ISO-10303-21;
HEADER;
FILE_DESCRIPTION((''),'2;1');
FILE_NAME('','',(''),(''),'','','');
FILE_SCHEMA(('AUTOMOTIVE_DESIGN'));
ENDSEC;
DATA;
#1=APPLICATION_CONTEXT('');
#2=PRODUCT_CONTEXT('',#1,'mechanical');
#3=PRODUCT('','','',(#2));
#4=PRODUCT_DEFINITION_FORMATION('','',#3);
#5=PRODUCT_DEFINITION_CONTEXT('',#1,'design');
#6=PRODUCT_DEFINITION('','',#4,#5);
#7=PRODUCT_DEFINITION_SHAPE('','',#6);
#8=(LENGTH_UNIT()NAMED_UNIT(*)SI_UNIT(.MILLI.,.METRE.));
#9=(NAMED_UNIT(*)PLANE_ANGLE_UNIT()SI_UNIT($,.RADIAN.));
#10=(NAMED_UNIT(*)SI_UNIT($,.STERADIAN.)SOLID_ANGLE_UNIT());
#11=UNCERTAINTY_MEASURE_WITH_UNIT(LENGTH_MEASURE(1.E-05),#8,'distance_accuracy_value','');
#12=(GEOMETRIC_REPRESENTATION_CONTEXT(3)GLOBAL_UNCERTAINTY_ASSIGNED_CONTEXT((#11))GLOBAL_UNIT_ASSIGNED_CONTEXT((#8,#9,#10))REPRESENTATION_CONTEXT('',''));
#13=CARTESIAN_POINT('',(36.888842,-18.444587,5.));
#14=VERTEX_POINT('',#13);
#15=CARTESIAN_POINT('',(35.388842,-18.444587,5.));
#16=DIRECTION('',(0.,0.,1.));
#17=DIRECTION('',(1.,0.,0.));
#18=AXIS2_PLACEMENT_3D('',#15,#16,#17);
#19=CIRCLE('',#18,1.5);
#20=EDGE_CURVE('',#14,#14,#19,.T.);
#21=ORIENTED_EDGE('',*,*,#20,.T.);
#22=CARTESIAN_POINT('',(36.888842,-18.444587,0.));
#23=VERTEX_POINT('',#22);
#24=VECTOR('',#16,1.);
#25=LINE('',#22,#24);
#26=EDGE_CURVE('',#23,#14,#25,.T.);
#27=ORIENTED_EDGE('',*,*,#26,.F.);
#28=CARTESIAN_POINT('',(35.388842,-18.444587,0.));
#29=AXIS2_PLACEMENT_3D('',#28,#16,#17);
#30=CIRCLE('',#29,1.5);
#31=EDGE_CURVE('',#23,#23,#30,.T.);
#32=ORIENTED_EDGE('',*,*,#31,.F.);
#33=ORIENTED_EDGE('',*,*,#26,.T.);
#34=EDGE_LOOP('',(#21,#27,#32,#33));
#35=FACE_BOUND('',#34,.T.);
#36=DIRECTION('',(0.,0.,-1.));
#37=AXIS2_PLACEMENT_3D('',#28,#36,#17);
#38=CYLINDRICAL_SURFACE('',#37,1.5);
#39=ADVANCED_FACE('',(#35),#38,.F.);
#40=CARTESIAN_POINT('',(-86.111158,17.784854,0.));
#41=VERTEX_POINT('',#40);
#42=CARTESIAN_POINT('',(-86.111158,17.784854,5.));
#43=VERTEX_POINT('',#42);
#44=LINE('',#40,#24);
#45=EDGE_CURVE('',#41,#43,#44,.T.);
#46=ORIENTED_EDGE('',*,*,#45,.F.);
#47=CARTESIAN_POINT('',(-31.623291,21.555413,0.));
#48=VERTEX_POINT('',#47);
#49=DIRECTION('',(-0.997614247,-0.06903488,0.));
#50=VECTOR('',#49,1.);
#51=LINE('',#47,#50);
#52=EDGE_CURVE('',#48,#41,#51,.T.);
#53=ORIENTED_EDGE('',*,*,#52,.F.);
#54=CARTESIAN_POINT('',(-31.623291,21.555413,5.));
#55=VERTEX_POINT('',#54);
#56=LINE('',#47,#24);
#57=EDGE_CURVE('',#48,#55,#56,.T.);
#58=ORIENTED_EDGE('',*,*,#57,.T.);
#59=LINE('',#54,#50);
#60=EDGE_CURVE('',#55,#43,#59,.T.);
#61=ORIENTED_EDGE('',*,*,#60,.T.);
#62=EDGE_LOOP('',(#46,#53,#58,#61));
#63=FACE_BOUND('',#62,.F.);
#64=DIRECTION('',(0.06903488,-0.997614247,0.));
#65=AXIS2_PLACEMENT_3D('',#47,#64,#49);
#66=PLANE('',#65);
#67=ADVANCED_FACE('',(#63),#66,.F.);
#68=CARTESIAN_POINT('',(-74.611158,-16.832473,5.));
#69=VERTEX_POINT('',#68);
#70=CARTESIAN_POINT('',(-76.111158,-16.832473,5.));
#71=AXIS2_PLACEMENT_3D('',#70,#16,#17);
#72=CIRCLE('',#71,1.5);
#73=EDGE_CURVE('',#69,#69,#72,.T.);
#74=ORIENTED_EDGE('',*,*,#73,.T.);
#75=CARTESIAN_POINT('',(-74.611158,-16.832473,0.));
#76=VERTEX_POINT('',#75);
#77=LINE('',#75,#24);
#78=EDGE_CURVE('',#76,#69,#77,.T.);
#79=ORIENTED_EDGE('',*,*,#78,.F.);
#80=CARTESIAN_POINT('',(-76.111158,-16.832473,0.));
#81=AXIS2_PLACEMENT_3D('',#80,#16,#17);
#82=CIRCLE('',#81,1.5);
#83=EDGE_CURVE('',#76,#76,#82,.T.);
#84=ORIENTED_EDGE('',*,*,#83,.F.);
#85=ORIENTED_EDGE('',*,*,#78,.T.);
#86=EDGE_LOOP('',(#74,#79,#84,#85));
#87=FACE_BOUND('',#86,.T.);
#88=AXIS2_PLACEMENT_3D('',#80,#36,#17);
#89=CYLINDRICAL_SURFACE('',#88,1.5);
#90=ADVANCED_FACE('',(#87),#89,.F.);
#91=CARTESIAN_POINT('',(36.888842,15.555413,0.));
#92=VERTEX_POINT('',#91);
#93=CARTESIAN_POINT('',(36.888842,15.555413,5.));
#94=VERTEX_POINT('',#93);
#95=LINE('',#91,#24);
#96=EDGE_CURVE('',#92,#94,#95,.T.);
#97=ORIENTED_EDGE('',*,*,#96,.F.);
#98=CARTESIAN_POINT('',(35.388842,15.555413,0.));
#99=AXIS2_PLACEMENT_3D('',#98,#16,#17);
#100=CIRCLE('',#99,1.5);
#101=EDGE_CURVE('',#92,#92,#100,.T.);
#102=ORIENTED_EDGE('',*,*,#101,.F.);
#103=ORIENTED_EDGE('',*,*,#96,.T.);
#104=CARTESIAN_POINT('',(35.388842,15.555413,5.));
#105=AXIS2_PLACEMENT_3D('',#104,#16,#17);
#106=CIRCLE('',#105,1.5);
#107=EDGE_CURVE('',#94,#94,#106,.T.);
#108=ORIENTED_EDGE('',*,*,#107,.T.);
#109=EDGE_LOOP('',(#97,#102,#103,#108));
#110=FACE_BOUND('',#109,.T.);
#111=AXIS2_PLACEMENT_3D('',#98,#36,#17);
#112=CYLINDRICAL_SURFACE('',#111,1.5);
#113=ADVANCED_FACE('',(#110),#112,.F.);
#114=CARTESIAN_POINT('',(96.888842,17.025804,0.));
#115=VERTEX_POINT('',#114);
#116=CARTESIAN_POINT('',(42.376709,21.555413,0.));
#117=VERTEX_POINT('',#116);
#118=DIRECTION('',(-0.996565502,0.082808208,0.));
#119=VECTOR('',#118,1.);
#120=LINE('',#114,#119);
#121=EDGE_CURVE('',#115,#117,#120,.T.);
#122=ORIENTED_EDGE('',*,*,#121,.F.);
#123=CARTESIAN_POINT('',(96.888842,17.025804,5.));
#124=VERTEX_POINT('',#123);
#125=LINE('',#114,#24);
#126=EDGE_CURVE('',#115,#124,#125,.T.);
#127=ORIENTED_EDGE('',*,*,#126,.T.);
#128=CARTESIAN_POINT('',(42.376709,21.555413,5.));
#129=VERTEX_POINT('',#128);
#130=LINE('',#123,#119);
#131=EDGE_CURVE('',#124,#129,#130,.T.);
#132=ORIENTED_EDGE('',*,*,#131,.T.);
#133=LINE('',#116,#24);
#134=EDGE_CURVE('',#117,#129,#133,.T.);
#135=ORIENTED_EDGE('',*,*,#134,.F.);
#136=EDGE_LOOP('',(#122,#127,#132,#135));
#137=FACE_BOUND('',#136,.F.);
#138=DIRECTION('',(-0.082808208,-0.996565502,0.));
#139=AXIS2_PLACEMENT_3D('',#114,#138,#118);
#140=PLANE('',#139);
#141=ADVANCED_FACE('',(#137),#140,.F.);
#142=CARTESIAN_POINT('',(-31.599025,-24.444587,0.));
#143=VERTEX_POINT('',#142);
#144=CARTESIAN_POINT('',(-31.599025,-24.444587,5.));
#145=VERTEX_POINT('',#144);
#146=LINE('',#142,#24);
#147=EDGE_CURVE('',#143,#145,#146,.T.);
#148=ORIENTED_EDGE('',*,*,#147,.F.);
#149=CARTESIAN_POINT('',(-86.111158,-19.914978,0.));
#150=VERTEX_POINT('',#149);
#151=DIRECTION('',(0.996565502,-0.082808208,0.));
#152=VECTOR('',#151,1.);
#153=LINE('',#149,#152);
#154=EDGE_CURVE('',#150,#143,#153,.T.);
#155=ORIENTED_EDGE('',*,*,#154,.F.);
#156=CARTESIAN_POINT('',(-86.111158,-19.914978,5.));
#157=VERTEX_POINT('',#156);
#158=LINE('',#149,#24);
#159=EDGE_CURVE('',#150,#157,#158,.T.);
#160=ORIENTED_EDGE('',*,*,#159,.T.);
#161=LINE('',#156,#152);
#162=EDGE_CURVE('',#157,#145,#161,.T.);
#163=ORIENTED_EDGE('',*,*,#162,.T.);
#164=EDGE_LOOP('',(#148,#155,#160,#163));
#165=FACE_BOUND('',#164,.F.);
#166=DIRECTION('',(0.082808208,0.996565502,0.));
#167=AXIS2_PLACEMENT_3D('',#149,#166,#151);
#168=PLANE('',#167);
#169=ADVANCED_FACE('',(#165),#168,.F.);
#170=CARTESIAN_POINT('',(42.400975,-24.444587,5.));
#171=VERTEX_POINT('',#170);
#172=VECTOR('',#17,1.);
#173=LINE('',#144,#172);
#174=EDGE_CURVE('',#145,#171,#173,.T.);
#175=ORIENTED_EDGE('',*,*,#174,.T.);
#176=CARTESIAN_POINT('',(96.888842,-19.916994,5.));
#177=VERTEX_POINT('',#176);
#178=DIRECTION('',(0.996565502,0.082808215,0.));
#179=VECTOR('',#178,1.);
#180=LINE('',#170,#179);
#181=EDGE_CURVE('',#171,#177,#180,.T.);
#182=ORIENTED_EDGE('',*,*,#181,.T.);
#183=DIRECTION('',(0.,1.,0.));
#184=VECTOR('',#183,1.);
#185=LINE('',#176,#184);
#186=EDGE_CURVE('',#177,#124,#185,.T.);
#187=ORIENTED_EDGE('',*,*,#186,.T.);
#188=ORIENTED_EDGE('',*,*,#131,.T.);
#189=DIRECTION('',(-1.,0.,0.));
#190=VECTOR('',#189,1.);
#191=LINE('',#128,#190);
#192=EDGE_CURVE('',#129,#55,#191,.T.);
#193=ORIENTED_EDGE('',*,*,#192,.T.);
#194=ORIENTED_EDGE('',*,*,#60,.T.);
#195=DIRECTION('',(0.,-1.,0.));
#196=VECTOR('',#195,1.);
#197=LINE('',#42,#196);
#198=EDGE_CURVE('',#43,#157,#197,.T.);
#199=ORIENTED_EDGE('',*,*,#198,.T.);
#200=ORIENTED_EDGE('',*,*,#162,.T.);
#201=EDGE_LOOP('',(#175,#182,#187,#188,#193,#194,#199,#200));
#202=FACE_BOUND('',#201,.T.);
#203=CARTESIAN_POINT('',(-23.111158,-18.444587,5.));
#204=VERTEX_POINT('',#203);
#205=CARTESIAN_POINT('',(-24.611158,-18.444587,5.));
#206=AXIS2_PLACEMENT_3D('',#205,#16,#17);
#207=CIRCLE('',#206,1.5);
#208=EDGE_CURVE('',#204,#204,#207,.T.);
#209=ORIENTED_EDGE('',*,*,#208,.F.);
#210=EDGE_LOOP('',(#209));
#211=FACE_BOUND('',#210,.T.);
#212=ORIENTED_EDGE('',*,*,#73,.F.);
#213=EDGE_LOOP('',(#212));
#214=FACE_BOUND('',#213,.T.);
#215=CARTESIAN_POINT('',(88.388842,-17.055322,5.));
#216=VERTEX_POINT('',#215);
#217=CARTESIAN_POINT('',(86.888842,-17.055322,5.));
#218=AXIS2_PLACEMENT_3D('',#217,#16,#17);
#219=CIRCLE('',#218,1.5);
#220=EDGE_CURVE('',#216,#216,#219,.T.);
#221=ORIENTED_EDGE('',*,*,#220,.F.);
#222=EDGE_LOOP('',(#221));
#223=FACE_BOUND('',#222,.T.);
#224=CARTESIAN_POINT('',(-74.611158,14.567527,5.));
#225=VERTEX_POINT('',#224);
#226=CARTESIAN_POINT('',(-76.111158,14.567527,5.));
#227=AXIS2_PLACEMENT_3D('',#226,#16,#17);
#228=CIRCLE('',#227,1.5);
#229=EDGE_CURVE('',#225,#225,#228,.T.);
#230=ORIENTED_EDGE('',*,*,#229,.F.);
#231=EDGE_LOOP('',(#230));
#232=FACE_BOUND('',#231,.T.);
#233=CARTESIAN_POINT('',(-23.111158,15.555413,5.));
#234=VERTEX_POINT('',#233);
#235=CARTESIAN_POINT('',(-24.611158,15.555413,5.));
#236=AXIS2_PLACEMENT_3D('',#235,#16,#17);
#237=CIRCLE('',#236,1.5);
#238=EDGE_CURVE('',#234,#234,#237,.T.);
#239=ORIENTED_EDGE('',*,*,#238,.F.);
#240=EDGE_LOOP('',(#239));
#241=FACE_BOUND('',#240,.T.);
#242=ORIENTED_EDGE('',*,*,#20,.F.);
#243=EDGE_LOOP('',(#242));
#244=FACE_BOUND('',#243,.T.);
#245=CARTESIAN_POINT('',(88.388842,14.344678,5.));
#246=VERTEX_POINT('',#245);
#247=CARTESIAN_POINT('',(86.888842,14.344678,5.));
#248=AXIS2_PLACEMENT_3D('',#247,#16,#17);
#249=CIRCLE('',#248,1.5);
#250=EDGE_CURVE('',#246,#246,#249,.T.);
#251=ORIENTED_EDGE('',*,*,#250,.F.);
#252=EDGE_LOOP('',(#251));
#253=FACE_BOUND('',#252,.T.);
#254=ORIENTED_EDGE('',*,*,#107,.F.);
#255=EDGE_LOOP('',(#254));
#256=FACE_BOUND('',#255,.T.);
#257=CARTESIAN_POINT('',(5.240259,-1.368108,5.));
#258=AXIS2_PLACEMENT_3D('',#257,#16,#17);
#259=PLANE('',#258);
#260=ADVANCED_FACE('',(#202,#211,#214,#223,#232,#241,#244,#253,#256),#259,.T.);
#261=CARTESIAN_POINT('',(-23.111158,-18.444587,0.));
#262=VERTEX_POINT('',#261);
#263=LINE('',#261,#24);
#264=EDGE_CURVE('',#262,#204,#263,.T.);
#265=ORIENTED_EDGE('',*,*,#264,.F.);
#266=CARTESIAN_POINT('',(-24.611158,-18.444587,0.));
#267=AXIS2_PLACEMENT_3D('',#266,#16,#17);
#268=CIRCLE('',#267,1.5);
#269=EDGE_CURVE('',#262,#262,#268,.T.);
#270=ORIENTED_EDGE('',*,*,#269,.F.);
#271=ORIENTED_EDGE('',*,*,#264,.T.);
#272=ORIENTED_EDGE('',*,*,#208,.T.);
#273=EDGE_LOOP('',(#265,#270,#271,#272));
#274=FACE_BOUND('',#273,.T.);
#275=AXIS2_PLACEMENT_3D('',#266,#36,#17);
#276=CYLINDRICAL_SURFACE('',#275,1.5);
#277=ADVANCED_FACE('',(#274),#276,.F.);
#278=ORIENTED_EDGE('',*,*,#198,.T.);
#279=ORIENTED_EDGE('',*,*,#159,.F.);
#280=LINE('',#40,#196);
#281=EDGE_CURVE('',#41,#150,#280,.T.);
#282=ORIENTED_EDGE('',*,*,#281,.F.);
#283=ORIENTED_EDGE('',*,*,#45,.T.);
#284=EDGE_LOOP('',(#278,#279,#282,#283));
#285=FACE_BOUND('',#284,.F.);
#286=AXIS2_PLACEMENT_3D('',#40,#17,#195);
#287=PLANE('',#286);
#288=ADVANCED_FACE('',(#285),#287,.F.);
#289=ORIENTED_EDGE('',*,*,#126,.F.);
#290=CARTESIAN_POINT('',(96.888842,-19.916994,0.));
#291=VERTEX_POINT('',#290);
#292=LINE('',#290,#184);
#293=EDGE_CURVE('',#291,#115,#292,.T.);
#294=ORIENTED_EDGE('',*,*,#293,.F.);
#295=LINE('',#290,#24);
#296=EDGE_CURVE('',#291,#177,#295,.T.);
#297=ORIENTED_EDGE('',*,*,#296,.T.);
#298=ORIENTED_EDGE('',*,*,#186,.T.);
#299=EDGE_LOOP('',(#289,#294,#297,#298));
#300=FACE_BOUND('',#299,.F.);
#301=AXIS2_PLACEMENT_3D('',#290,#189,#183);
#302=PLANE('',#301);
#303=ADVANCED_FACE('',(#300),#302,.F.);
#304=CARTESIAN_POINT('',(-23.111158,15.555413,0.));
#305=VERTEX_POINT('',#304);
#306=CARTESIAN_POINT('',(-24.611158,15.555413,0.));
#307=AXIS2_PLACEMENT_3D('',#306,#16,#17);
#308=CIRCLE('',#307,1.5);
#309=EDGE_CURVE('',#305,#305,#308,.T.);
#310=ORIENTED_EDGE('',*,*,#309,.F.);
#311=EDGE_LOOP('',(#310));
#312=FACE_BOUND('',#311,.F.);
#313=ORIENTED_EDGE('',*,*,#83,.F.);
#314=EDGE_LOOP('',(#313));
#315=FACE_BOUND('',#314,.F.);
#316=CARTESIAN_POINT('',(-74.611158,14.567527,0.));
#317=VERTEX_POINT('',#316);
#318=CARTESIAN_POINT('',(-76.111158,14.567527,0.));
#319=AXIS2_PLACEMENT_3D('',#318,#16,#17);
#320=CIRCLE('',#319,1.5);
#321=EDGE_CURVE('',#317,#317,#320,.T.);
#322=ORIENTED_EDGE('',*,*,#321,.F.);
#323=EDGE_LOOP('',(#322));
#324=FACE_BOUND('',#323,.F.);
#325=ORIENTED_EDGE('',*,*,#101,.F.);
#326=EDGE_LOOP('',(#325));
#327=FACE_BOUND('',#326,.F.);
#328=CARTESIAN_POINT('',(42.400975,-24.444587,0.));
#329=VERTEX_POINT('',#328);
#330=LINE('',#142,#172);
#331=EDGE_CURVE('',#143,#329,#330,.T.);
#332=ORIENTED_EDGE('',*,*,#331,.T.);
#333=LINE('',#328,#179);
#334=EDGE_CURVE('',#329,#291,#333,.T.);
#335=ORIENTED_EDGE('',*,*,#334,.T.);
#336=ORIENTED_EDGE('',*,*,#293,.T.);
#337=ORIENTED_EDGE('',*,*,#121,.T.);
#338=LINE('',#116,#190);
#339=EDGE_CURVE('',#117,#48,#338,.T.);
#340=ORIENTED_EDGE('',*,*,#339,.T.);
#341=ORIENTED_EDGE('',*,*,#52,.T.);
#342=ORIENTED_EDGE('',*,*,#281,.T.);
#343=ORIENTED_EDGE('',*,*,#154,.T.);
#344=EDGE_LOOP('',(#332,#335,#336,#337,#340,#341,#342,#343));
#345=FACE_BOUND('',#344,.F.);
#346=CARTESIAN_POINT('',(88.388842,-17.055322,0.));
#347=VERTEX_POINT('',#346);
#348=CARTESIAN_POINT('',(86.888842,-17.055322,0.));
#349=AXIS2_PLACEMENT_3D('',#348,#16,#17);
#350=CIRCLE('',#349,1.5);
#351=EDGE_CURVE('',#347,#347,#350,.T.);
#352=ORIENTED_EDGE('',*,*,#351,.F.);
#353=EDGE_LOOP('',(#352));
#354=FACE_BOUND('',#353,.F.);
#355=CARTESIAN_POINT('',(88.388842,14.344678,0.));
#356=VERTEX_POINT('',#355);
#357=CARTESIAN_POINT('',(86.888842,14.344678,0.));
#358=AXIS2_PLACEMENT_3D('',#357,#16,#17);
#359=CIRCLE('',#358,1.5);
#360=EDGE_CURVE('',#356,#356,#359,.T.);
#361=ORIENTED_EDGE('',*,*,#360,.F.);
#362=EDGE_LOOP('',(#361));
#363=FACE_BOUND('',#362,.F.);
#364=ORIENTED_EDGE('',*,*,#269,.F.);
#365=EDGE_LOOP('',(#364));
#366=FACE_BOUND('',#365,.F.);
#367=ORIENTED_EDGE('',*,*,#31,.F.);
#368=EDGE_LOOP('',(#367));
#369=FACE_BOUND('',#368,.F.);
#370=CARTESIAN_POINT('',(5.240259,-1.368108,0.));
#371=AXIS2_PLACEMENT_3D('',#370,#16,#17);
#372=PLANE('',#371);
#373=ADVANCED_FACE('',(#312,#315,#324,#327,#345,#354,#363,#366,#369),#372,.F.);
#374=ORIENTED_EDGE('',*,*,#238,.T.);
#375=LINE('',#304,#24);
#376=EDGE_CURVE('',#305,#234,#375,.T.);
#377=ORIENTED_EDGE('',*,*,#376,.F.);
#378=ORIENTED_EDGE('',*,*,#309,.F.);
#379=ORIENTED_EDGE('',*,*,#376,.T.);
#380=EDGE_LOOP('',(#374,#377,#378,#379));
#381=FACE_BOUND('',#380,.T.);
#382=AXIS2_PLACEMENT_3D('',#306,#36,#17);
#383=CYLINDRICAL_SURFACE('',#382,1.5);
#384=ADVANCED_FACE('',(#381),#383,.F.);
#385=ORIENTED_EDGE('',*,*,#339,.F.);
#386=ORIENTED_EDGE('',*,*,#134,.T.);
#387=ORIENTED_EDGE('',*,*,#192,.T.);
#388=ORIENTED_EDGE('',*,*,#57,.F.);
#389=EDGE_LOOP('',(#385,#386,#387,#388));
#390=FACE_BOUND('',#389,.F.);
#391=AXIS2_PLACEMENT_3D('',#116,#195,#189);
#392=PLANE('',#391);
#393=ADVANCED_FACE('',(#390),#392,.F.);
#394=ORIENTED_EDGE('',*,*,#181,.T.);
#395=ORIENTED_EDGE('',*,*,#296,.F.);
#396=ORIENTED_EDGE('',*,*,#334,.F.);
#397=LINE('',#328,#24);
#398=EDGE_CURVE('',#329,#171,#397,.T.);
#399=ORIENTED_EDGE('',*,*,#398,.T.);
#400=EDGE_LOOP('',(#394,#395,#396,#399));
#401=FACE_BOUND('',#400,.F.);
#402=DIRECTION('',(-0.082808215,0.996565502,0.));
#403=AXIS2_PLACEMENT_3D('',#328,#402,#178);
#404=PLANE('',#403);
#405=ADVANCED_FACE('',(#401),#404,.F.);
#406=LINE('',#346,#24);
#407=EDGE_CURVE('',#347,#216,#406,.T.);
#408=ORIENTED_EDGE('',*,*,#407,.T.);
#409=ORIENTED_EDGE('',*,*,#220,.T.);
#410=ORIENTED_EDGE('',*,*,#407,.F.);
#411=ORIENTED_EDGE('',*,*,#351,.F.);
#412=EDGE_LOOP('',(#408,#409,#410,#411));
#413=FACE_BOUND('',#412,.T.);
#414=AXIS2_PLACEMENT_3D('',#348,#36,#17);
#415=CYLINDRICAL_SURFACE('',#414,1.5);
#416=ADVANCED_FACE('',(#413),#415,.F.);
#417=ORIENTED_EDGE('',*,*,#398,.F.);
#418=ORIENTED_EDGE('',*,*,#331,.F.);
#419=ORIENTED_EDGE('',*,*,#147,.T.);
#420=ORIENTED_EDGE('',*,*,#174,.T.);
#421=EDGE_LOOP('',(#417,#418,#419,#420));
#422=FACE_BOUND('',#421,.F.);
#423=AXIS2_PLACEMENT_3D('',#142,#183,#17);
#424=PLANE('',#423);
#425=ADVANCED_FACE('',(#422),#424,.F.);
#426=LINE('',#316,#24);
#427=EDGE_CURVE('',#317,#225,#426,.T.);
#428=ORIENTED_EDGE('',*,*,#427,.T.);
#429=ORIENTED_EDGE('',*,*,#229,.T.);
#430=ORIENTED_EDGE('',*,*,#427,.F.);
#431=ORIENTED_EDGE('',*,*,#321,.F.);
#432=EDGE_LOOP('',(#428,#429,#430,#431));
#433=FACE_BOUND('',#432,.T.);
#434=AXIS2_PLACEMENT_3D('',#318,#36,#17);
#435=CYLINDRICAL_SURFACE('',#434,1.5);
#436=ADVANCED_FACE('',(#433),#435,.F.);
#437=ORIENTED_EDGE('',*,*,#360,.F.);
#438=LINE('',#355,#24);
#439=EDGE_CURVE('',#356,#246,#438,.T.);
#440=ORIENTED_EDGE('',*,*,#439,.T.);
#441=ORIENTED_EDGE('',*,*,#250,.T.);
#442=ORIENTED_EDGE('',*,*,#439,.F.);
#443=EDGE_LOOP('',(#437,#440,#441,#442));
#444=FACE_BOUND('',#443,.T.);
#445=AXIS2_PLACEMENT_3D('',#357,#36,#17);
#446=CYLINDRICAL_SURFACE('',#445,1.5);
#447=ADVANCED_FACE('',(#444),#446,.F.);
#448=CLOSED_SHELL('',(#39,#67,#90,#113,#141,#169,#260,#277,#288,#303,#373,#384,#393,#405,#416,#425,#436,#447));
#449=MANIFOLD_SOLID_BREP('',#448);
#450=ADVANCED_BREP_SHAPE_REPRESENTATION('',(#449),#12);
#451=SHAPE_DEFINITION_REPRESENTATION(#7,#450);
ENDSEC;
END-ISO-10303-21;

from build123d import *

# Parameters (mm, degrees)
F0_R     = 1.5
F1_DEPTH = 5


with BuildPart() as f1:
    # F0 (on Top) → F1 (new body)
    with BuildSketch(Plane.XY):
        Polygon((-86.111158, -19.914978), (-31.599025, -24.444587), (42.400975, -24.444587), (96.888842, -19.916994), (96.888842, 17.025804), (42.376709, 21.555413), (-31.623291, 21.555413), (-86.111158, 17.784854), align=None)
        with Locations((-76.111158, -16.832473)):
            Circle(F0_R, mode=Mode.SUBTRACT)
        with Locations((-24.611158, -18.444587)):
            Circle(F0_R, mode=Mode.SUBTRACT)
        with Locations((35.388842, -18.444587)):
            Circle(F0_R, mode=Mode.SUBTRACT)
        with Locations((86.888842, -17.055322)):
            Circle(F0_R, mode=Mode.SUBTRACT)
        with Locations((-76.111158, 14.567527)):
            Circle(F0_R, mode=Mode.SUBTRACT)
        with Locations((-24.611158, 15.555413)):
            Circle(F0_R, mode=Mode.SUBTRACT)
        with Locations((35.388842, 15.555413)):
            Circle(F0_R, mode=Mode.SUBTRACT)
        with Locations((86.888842, 14.344678)):
            Circle(F0_R, mode=Mode.SUBTRACT)
    extrude(amount=F1_DEPTH)


solid = f1.part
